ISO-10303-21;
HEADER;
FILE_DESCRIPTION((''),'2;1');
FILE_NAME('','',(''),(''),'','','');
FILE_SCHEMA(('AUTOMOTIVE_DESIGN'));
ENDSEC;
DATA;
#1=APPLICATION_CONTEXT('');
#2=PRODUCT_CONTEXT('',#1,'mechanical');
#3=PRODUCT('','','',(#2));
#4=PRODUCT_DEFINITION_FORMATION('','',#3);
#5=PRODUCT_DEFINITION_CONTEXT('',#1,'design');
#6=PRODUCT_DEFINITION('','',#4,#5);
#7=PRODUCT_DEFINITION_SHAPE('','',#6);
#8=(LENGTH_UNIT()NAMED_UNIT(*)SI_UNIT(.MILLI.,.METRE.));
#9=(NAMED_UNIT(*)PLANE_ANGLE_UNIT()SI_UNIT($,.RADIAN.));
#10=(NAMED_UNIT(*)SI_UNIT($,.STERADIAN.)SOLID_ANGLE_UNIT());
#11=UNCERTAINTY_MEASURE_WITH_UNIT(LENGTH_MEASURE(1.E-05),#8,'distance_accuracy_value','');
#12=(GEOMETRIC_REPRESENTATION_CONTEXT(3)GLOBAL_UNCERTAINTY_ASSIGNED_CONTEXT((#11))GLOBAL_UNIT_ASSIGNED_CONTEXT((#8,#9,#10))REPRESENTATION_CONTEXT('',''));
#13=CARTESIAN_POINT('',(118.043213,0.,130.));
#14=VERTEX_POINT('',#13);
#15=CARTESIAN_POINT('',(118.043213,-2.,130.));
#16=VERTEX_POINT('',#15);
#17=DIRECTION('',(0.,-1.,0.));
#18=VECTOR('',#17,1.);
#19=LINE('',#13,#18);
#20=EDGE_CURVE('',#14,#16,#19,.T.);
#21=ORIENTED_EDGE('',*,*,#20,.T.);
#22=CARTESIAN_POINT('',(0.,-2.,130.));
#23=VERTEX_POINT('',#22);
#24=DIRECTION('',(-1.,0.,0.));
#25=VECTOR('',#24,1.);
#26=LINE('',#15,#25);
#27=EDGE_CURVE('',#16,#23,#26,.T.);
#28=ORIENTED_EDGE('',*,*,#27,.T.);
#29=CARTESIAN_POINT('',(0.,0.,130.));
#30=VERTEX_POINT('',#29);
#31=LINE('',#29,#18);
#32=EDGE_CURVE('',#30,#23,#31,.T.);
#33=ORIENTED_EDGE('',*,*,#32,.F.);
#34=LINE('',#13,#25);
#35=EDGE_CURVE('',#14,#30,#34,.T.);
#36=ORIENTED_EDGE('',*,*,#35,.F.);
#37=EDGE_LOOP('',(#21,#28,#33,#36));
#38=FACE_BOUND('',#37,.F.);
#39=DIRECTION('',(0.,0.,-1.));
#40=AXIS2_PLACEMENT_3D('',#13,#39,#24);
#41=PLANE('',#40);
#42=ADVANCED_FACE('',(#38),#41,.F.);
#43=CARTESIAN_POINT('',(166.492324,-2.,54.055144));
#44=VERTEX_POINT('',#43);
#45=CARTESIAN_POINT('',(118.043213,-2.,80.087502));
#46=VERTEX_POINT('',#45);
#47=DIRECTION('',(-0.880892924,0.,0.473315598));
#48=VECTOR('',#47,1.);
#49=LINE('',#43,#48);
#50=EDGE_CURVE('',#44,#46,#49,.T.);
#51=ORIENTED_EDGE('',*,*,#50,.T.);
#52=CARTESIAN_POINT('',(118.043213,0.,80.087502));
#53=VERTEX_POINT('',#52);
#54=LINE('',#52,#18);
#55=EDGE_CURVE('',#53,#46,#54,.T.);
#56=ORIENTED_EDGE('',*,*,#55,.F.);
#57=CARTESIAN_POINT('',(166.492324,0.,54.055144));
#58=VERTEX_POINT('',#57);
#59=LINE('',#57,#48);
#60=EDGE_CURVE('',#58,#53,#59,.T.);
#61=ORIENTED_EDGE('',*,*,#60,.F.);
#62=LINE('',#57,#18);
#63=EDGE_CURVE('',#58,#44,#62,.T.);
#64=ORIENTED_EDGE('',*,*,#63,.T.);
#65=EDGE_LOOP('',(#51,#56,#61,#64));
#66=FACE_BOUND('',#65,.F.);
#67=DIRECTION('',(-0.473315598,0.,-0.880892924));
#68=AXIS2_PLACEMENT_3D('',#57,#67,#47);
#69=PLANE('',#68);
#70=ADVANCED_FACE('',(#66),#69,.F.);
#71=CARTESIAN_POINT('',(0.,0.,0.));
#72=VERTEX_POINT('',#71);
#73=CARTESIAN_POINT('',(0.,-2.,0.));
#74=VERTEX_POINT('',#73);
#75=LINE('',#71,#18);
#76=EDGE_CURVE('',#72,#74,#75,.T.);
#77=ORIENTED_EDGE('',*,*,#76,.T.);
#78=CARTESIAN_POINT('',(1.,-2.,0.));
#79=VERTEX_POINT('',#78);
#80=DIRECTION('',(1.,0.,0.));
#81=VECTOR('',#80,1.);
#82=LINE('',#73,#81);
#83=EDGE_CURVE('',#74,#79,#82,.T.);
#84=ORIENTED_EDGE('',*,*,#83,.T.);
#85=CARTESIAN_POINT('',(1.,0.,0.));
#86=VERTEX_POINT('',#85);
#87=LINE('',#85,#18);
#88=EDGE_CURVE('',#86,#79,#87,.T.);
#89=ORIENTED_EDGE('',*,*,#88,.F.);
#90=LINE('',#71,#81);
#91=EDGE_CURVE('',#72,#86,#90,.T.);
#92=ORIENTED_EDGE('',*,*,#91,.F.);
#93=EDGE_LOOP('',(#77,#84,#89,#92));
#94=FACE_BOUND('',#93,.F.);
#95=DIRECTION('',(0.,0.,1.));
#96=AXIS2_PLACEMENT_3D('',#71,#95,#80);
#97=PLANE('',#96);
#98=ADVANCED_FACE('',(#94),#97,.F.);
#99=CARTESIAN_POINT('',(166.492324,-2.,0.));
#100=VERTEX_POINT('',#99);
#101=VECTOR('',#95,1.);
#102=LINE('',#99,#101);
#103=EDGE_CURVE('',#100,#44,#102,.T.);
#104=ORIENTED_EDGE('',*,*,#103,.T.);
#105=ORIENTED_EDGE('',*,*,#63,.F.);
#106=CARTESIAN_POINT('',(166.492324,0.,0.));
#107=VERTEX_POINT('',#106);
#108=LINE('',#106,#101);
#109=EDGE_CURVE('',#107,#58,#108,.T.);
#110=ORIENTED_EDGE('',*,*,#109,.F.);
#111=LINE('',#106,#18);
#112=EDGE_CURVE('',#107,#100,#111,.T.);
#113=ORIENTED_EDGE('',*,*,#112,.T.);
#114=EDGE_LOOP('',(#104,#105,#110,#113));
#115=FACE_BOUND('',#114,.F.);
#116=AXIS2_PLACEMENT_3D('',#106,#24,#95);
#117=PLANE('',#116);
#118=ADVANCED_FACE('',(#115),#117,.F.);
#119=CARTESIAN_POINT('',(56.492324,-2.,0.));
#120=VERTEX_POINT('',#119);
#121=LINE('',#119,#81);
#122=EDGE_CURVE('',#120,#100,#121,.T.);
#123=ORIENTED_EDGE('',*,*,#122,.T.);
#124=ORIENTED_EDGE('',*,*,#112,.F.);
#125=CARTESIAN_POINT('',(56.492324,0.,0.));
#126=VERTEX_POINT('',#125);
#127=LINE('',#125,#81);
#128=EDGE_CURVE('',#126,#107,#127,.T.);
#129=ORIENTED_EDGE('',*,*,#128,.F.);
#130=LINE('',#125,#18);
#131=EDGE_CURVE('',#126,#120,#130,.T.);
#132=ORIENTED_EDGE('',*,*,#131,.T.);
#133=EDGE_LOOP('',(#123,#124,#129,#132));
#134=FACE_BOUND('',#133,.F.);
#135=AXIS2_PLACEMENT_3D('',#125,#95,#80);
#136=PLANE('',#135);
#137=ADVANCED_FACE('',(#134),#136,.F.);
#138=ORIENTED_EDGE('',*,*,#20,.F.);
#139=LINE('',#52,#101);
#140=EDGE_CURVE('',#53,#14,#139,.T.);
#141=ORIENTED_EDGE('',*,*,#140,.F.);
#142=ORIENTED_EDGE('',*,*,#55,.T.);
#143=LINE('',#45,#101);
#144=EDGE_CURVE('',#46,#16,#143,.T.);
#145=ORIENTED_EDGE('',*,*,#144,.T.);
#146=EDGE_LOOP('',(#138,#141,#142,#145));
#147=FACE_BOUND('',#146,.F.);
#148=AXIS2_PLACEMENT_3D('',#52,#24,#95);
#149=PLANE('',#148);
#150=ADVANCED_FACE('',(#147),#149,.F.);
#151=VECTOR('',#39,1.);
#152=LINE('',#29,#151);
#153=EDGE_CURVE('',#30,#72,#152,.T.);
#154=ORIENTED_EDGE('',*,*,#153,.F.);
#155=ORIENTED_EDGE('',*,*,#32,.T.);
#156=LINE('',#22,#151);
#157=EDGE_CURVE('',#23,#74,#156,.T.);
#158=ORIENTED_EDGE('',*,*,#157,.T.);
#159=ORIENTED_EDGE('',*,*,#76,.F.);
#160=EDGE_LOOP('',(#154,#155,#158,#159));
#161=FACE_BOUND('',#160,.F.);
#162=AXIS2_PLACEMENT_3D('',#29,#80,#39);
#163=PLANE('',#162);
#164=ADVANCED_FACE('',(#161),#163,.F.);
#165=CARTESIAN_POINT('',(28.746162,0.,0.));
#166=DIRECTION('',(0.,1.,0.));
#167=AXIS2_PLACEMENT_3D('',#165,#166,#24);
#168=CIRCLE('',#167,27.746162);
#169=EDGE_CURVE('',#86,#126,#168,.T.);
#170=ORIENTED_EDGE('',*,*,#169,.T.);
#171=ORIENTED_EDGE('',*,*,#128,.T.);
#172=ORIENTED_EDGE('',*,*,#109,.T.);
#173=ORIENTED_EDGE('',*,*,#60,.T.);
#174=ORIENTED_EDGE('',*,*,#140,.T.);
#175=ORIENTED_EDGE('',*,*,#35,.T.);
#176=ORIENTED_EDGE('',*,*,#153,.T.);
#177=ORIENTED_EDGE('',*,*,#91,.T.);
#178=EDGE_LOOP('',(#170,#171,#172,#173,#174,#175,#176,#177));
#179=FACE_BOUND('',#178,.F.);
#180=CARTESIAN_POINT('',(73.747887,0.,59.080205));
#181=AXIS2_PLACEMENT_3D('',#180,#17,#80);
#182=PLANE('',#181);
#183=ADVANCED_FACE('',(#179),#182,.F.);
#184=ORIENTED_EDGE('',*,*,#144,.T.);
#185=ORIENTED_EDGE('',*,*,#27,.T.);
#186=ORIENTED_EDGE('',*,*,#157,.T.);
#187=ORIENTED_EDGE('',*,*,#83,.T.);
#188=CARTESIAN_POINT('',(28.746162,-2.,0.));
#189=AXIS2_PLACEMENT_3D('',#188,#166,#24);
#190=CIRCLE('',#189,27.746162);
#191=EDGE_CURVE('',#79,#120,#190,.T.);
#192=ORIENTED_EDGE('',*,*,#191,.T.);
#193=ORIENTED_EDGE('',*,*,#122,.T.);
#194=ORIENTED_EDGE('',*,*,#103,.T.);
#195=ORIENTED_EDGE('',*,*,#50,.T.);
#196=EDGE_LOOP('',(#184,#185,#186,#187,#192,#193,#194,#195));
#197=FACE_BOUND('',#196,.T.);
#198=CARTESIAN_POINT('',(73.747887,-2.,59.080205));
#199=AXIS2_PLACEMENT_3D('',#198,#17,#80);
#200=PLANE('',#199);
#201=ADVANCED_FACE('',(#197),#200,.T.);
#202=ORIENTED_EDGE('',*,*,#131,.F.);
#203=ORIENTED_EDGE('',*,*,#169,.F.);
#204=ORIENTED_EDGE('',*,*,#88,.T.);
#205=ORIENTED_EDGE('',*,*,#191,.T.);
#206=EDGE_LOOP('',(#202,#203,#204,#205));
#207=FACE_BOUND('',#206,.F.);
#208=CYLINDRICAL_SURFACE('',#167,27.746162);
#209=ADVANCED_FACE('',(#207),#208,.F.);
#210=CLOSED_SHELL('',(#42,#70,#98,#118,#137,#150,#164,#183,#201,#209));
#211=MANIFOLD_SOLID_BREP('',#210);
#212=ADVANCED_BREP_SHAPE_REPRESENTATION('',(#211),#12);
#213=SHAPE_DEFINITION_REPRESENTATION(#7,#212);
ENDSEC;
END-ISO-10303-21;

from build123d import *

# Parameters (mm, degrees)
F1_DEPTH = 2


with BuildPart() as f1:
    # F0 (on Front) → F1 (new body)
    with BuildSketch(Plane.XZ):
        with BuildLine():
            Line((0, 130), (0, 0))
            Line((0, 0), (1, 0))
            ThreePointArc((1, 0), (28.746162, 27.746162), (56.492324, 0))
            Line((56.492324, 0), (166.492324, 0))
            Line((166.492324, 0), (166.492324, 54.055144))
            Line((166.492324, 54.055144), (118.043213, 80.087502))
            Line((118.043213, 80.087502), (118.043213, 130))
            Line((118.043213, 130), (0, 130))
        make_face()
    extrude(amount=F1_DEPTH)


solid = f1.part
